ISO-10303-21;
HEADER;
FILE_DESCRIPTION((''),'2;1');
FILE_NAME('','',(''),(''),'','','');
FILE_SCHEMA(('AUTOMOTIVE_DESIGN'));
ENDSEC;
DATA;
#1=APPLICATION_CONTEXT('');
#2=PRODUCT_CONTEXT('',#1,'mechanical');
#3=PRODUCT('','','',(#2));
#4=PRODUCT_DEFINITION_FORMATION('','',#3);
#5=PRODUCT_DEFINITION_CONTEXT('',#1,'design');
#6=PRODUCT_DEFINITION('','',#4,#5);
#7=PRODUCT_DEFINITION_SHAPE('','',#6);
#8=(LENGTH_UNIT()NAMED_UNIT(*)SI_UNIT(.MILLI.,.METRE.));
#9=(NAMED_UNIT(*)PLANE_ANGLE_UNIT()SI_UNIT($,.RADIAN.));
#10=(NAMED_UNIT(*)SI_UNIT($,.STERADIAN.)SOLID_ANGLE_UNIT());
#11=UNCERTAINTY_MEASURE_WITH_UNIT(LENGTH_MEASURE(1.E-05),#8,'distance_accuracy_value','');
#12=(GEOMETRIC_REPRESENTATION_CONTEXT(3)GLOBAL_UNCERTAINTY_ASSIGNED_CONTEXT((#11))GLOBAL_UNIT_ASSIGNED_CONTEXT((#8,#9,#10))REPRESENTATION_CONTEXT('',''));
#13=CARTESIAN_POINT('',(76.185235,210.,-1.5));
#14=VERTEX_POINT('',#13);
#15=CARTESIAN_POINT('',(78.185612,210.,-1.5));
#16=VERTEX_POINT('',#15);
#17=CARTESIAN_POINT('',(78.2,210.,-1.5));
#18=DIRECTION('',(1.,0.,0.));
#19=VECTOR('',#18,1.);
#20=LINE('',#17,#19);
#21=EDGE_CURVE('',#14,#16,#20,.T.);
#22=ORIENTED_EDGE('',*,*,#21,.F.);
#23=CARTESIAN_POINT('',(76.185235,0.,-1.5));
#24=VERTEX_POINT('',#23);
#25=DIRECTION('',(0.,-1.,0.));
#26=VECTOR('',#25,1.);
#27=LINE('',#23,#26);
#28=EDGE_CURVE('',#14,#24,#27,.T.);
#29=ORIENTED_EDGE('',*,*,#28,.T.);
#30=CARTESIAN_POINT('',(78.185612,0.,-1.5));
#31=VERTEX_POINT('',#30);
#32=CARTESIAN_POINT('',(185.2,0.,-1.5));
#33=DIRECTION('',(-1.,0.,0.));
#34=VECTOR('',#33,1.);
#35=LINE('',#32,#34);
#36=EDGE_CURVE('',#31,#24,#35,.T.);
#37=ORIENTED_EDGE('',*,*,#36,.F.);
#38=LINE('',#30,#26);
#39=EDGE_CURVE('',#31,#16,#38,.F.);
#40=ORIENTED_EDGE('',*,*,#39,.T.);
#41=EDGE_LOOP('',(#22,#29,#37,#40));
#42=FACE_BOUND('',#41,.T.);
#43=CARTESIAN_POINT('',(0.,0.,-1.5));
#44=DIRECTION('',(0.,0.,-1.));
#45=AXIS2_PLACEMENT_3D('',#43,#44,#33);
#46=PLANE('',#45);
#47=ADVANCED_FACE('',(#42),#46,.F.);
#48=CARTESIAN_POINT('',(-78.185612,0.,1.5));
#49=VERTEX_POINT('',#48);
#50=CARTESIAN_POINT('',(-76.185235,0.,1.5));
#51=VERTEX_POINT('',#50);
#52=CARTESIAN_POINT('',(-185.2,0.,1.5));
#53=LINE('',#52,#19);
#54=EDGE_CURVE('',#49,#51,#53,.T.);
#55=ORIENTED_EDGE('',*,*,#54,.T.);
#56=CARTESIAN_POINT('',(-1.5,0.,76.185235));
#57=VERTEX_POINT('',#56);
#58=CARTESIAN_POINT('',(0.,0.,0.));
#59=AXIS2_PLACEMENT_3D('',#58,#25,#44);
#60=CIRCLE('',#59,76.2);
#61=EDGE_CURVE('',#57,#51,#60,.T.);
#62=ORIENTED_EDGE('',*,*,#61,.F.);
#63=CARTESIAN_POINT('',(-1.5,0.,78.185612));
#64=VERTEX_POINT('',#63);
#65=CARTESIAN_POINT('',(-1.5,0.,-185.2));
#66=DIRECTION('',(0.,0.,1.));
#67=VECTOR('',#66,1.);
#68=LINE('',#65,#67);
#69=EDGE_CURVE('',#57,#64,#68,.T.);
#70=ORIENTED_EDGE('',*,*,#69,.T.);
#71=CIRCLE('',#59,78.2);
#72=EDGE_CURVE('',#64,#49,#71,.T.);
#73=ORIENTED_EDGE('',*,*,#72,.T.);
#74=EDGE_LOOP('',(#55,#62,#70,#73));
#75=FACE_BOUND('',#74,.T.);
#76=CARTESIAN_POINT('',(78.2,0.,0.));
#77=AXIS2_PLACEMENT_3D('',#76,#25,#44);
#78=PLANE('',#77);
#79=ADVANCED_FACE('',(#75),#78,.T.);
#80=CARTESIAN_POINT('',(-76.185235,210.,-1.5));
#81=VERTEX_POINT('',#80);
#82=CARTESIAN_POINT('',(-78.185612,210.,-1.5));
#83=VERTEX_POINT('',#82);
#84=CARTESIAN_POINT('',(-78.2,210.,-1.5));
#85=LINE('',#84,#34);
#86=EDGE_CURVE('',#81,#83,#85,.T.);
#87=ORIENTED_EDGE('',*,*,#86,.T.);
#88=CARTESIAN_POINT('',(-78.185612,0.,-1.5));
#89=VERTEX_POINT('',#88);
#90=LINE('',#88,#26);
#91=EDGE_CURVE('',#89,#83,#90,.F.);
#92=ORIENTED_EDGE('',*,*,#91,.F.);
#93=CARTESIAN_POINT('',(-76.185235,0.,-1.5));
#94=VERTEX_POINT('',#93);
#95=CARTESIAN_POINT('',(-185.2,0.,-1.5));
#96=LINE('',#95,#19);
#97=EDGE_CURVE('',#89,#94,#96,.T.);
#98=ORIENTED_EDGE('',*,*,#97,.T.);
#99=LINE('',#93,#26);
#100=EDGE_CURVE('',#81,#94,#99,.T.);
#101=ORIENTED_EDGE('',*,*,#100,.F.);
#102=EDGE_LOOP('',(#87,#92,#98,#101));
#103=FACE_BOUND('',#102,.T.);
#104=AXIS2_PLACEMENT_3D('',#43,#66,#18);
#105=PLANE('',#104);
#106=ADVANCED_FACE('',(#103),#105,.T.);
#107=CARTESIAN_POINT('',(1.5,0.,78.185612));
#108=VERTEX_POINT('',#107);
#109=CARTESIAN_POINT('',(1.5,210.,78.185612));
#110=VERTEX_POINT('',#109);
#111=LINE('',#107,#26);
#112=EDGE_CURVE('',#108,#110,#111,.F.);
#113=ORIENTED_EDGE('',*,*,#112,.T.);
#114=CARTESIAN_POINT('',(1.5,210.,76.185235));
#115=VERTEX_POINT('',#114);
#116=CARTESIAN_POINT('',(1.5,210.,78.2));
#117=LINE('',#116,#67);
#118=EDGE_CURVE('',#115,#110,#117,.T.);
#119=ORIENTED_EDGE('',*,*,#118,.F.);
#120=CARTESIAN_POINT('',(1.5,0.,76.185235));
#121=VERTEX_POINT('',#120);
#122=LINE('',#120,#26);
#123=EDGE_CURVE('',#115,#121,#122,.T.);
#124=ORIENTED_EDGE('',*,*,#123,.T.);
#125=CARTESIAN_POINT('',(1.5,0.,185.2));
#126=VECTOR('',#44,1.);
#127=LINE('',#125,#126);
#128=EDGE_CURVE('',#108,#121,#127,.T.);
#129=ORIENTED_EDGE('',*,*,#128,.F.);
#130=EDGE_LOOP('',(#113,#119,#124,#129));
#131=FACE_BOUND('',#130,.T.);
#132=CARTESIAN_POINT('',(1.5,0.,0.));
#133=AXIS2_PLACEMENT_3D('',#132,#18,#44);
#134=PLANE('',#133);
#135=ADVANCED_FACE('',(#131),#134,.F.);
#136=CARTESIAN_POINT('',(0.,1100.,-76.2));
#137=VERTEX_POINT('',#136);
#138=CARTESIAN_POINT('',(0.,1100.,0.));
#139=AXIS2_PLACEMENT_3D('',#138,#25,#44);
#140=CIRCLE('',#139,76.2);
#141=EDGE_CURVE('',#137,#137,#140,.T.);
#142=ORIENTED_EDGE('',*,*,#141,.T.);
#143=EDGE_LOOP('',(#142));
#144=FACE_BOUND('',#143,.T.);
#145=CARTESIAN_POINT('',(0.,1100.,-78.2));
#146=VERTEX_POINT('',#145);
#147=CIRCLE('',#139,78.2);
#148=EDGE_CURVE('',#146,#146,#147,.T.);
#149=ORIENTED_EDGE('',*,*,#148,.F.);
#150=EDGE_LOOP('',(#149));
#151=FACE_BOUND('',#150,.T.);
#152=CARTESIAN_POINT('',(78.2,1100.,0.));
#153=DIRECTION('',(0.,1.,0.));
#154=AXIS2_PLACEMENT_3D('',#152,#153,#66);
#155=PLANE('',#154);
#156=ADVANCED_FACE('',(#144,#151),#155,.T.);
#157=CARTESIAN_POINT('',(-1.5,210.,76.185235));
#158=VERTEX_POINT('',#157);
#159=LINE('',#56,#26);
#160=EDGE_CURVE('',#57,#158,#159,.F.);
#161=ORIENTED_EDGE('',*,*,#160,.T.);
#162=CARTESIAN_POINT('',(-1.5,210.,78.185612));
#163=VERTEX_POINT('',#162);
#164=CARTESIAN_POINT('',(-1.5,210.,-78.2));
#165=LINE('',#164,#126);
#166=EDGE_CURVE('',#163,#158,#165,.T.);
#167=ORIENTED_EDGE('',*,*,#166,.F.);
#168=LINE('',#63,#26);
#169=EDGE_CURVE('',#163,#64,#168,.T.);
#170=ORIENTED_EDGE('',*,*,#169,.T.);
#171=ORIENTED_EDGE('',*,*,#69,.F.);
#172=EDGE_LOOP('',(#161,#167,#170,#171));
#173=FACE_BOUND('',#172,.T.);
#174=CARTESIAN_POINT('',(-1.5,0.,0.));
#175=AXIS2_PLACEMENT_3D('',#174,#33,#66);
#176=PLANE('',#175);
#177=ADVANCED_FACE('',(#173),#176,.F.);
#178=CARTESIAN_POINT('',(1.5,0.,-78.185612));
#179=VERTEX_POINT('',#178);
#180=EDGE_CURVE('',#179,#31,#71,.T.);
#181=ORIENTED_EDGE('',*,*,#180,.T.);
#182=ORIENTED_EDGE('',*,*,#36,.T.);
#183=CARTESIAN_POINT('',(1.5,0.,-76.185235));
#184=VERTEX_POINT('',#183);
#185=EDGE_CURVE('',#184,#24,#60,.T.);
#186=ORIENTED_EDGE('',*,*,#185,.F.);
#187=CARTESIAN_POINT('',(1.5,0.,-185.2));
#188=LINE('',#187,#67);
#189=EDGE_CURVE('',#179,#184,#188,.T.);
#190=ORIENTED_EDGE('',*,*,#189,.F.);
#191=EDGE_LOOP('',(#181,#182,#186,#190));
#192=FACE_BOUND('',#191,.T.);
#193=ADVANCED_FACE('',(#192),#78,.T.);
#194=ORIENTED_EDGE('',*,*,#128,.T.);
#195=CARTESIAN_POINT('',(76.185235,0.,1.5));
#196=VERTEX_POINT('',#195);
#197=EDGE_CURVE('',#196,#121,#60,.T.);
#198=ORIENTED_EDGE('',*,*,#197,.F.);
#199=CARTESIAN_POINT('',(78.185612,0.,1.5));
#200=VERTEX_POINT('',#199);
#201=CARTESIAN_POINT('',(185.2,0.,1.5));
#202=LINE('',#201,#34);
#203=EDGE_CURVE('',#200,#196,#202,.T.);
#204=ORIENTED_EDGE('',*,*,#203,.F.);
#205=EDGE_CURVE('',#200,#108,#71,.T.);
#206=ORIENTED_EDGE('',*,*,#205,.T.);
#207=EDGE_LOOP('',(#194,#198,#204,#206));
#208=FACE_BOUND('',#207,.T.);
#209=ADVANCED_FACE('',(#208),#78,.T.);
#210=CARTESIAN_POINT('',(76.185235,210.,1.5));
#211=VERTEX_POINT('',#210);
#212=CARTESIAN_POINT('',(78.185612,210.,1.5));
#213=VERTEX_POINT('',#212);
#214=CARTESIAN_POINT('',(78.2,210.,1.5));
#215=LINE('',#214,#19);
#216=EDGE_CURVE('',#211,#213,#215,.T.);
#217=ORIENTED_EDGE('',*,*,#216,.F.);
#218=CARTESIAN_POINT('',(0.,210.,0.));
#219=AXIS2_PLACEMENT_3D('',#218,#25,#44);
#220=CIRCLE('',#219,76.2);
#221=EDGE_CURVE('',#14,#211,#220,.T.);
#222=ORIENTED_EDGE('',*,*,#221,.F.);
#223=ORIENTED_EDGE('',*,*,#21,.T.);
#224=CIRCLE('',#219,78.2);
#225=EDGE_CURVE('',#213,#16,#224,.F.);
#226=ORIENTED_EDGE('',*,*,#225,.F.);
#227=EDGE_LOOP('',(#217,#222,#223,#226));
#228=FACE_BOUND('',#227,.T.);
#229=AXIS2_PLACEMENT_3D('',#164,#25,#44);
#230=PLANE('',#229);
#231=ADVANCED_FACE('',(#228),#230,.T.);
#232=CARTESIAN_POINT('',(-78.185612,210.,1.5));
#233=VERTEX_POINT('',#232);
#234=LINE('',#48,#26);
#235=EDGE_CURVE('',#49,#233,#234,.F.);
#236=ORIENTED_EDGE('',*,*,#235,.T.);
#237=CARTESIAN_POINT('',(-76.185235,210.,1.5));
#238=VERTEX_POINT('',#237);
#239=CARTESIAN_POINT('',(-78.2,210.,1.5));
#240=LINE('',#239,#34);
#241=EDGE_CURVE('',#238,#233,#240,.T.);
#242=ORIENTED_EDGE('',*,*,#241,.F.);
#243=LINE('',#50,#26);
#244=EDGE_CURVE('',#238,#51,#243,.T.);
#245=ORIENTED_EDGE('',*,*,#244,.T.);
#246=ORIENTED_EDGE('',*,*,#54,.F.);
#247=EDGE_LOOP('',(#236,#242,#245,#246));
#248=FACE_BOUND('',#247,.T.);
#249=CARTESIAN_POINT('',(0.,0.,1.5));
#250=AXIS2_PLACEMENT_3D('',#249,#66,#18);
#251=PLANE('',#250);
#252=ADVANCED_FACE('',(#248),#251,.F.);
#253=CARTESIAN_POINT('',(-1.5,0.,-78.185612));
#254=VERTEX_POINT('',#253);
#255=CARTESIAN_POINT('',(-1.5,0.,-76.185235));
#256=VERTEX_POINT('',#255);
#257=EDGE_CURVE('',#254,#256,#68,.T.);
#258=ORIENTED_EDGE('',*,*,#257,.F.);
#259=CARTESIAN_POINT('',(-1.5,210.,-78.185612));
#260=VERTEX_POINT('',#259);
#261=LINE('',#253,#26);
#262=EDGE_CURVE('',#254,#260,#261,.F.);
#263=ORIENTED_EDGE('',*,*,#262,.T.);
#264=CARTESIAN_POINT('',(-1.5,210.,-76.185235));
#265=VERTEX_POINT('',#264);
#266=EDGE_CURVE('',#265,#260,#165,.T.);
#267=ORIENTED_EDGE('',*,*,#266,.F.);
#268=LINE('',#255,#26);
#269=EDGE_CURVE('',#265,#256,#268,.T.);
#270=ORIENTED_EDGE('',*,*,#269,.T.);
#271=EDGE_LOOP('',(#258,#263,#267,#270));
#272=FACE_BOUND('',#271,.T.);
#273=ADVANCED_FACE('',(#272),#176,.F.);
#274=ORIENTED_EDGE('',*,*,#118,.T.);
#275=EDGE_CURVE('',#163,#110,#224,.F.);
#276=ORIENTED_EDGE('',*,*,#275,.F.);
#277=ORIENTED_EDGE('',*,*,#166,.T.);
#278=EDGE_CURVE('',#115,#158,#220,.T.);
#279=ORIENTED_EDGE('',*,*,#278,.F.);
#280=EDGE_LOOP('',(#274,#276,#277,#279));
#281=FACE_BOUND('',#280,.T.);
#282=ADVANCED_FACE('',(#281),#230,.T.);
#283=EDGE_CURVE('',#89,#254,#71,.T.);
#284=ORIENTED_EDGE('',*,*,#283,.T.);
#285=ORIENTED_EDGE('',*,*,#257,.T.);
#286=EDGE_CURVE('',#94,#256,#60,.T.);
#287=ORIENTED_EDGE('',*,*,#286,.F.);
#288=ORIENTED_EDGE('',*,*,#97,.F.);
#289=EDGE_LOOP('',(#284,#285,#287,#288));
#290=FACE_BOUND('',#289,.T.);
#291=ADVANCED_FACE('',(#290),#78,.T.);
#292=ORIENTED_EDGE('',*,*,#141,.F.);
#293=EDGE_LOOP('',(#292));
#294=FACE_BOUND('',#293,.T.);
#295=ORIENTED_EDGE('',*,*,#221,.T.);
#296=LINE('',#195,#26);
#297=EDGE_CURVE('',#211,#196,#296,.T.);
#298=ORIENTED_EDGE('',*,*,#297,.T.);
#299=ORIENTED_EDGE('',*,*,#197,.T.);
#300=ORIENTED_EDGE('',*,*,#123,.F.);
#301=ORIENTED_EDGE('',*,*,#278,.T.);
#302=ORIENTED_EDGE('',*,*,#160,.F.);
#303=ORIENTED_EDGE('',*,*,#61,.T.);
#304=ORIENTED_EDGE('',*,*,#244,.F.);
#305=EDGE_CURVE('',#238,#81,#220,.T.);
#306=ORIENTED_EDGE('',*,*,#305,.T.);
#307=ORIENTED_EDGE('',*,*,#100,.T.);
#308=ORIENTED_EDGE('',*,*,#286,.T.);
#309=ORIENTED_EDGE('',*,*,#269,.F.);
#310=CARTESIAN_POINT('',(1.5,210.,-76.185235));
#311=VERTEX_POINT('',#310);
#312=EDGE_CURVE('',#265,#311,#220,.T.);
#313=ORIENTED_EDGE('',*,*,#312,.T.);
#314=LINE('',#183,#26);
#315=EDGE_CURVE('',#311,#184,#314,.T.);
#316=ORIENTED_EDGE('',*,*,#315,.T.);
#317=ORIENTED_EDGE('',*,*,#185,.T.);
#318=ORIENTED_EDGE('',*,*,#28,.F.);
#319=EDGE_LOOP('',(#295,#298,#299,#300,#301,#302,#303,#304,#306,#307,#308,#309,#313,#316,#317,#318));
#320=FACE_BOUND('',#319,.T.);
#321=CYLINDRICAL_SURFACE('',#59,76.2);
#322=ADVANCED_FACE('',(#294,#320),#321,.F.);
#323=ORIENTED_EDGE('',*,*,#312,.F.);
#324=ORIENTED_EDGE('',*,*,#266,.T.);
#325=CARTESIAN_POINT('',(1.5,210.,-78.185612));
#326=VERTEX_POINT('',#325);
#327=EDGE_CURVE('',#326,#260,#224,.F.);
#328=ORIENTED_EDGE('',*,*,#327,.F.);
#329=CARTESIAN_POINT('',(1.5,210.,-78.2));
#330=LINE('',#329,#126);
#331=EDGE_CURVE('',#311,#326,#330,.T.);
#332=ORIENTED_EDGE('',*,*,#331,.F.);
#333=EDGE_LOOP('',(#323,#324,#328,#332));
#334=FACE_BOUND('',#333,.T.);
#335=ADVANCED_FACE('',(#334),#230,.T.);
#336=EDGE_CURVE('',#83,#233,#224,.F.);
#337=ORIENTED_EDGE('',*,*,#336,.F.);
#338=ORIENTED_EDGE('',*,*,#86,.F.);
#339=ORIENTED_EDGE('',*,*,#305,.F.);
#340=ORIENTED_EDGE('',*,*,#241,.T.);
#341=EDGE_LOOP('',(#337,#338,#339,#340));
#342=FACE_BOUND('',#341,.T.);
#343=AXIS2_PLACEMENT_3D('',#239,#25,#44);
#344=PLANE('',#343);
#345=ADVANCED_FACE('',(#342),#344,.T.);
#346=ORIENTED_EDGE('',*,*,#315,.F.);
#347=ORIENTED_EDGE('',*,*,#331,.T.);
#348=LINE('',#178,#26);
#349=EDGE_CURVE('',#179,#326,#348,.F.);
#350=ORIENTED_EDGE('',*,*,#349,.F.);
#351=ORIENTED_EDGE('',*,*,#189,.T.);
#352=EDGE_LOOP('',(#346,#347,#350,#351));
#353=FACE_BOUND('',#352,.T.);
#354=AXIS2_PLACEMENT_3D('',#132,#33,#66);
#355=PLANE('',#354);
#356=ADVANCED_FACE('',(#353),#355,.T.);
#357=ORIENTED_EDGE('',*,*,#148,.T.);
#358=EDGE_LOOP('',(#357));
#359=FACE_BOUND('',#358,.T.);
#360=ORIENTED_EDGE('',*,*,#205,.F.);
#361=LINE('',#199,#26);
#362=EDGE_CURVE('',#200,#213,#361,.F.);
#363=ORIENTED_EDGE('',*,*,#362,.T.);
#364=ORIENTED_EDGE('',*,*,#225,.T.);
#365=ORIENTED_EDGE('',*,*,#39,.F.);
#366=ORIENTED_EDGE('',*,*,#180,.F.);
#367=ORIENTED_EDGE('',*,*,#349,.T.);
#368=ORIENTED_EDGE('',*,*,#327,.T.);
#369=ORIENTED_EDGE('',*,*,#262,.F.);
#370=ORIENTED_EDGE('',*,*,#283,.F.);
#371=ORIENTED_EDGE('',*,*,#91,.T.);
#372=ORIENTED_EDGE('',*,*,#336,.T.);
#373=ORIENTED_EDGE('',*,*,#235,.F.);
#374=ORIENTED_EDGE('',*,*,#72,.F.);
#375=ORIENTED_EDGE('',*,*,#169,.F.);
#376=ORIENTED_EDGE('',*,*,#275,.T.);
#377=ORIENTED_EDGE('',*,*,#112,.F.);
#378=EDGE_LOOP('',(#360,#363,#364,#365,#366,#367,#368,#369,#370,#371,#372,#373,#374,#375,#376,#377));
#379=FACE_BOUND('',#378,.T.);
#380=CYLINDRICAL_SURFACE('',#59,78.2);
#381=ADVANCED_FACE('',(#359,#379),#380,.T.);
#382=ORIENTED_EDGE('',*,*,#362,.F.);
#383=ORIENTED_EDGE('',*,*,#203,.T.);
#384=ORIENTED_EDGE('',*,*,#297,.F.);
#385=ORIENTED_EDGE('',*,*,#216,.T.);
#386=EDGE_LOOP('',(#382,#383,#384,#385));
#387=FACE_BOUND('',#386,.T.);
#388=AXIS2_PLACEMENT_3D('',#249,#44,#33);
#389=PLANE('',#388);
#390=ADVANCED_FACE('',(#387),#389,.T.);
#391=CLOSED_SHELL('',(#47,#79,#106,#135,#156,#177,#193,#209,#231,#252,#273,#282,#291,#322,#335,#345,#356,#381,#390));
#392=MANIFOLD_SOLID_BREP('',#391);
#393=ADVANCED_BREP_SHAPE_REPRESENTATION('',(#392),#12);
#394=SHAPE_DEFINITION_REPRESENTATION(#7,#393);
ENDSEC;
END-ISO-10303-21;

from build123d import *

# Parameters (mm, degrees)
SKETCH1_W          = 2
SKETCH1_H          = 1100
CUT_EXTRUDE1_DEPTH = 1.5
CIRPATTERN1_COUNT  = 4


with BuildPart() as part:
    # Sketch1 → Revolve1 (revolve)
    with BuildSketch(Plane.XY):
        with Locations((77.2, 550)):
            Rectangle(SKETCH1_W, SKETCH1_H)
    revolve(axis=Axis((0, 0, 0), (0, 1, 0)))

    # Sketch2 → Cut-Extrude1 (cut, symmetric)
    with BuildSketch(Plane.XY):
        Polygon((-185.2, 150), (-185.2, 0), (-78.2, 0), (0, 0), (0, 210), (-78.2, 210), align=None)
    cut_extrude1 = extrude(amount=CUT_EXTRUDE1_DEPTH, both=True, mode=Mode.SUBTRACT)

    # CirPattern1: Cut-Extrude1 ×4 about axis
    cirpattern1_axis = Axis((0, 0, 0), (0, -1, 0))
    for i in range(1, CIRPATTERN1_COUNT):
        add(cut_extrude1.rotate(cirpattern1_axis, i * 360 / CIRPATTERN1_COUNT), mode=Mode.SUBTRACT)


solid = part.part
